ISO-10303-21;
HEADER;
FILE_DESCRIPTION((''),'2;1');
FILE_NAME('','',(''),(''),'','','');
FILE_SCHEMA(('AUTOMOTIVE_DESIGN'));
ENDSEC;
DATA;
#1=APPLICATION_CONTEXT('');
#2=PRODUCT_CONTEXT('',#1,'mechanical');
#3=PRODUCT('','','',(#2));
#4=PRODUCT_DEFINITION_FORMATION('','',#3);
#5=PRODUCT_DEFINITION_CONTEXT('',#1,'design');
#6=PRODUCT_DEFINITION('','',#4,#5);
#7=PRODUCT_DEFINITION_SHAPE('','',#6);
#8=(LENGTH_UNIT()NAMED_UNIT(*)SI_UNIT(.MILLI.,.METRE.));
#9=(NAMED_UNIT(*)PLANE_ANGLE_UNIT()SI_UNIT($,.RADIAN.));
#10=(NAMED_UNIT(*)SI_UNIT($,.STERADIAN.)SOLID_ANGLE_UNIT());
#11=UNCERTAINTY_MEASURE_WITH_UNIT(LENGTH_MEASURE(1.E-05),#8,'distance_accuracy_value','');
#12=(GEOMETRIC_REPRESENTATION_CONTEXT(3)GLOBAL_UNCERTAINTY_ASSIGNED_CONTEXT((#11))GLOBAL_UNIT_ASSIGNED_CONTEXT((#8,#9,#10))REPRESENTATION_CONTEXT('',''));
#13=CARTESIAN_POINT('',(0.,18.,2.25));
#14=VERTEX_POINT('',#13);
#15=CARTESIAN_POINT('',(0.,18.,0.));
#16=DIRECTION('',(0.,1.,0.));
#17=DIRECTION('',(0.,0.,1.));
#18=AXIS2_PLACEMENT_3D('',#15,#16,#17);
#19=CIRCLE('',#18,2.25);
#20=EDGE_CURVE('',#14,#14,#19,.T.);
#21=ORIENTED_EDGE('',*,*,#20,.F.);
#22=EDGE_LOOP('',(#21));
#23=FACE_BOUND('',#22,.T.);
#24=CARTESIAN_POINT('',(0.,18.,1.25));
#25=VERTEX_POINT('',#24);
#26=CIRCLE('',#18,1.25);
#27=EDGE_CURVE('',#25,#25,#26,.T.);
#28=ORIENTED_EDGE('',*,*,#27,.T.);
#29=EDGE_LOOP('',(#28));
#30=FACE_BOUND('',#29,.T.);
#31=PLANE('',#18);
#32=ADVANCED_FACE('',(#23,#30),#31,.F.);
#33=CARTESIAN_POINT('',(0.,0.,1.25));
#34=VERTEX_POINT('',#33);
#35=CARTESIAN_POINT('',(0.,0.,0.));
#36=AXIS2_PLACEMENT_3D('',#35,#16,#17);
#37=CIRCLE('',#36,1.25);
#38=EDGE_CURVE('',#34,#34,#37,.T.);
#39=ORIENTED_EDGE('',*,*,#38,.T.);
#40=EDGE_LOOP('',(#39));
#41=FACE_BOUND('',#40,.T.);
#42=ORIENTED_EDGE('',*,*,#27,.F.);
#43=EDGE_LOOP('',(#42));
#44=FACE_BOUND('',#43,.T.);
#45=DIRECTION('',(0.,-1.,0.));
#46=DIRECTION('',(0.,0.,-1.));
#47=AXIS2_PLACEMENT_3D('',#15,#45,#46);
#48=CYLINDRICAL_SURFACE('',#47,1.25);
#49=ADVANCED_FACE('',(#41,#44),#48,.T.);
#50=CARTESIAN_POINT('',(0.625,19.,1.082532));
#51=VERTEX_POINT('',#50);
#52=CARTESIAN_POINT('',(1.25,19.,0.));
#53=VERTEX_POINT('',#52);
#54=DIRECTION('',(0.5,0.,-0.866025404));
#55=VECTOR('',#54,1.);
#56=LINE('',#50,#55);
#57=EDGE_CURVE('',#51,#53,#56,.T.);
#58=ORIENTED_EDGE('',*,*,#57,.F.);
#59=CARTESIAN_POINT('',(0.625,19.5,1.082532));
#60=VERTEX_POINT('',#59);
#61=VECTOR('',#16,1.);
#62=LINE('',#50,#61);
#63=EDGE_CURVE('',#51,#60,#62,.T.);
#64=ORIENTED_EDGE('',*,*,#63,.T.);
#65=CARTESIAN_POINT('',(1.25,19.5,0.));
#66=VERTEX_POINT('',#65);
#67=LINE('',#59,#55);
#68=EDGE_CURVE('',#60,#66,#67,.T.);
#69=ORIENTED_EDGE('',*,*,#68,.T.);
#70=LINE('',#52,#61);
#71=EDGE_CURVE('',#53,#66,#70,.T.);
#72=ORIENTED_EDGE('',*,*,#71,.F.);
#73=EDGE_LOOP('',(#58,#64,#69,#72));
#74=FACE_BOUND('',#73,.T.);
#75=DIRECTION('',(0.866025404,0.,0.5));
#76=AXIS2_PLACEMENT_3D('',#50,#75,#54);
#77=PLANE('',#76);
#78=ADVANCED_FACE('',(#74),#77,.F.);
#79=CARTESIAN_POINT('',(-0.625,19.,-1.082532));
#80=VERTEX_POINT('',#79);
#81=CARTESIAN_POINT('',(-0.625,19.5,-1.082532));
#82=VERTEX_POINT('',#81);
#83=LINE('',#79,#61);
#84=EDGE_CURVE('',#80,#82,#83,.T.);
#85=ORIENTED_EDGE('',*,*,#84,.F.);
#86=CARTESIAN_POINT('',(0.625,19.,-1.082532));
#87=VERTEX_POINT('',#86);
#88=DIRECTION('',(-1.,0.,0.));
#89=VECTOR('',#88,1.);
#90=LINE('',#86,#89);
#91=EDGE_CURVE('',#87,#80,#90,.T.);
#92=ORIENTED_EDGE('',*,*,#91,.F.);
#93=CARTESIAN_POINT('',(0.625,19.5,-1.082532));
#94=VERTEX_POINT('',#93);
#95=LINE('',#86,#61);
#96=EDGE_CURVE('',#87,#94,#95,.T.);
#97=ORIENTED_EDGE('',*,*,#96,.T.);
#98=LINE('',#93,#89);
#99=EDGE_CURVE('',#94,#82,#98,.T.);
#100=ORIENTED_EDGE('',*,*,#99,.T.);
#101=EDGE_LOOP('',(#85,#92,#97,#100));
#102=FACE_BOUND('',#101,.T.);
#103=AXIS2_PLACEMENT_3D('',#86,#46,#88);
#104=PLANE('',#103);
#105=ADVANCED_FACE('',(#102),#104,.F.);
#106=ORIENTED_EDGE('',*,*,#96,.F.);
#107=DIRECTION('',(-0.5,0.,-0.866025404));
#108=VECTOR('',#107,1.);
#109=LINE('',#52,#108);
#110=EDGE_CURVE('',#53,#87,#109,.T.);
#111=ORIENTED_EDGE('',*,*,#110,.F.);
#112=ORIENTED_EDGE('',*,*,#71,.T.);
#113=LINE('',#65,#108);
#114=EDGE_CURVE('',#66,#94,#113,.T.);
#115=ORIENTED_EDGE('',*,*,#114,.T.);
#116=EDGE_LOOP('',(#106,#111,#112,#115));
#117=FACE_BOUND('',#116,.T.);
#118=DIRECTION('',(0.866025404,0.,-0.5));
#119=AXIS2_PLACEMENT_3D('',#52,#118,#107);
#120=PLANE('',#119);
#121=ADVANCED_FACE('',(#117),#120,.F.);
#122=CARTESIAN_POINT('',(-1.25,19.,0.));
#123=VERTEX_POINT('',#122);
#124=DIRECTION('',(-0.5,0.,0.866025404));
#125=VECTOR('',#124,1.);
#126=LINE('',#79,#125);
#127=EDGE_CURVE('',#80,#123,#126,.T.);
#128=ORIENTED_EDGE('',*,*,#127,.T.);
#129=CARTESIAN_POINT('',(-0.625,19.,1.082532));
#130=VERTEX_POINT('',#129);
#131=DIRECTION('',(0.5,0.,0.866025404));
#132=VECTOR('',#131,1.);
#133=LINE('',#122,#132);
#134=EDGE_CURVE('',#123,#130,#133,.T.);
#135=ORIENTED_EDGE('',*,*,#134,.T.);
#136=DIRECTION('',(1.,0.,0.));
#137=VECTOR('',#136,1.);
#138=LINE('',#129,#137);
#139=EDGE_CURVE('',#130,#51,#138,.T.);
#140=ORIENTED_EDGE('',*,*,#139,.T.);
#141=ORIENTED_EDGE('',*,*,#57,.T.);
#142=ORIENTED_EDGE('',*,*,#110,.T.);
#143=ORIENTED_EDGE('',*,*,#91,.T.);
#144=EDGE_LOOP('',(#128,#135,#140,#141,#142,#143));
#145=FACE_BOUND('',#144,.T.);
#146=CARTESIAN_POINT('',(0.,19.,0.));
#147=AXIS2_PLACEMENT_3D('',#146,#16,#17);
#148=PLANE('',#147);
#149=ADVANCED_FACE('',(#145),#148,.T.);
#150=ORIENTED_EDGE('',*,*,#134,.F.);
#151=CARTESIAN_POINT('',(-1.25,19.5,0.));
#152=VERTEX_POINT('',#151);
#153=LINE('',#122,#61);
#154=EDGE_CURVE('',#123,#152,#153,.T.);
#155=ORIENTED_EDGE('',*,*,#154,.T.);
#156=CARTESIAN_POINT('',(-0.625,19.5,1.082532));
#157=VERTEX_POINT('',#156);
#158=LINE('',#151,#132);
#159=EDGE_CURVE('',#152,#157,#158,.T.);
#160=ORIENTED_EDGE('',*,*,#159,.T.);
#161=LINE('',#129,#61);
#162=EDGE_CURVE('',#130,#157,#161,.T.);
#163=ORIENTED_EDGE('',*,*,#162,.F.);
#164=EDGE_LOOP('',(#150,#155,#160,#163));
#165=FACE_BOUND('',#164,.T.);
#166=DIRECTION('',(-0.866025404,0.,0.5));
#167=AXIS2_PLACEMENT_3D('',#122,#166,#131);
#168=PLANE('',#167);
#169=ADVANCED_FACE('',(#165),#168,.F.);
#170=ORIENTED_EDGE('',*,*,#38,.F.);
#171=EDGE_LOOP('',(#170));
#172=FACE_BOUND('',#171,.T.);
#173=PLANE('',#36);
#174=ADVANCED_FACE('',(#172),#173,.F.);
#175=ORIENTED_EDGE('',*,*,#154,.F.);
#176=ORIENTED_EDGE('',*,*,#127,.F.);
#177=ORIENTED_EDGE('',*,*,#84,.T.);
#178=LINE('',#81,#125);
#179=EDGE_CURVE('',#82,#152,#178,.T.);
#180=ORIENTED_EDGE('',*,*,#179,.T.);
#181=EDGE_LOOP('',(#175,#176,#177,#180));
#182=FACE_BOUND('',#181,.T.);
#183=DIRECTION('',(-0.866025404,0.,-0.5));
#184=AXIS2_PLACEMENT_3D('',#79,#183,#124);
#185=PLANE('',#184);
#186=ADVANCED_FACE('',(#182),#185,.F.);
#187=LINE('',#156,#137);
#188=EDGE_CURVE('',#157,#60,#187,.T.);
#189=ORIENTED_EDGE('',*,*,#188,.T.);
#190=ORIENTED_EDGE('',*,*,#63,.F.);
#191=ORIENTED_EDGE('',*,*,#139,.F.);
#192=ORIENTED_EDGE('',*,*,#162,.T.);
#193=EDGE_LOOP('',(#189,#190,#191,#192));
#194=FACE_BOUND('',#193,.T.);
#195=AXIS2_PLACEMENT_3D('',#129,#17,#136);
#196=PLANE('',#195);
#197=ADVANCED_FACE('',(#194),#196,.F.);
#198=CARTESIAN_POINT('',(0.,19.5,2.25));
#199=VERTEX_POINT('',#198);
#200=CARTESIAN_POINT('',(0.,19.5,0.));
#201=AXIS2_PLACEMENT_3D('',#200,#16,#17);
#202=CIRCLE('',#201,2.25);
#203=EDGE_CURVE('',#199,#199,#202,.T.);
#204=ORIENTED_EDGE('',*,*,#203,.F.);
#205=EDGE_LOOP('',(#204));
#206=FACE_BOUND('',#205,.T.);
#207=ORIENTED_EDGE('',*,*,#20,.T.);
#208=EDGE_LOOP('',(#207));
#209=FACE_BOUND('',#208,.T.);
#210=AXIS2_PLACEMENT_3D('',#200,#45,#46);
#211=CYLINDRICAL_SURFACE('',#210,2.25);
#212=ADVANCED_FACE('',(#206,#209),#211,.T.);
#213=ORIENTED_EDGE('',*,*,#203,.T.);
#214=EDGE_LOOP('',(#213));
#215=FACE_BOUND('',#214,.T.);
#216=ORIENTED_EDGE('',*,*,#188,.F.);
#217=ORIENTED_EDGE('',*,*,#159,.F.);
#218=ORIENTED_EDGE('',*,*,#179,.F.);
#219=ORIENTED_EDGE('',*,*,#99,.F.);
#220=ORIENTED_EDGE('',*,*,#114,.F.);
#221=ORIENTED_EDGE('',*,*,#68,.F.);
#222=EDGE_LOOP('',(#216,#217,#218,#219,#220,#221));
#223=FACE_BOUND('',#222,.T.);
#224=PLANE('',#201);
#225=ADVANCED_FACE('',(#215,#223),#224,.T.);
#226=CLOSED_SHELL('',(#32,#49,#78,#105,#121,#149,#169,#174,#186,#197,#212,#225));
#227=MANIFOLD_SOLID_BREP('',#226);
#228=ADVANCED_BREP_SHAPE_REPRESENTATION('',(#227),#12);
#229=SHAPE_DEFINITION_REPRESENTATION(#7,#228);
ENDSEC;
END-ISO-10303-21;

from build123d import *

# Parameters (mm, degrees)
SKETCH1_R           = 1.25
BOSS_EXTRUDE1_DEPTH = 18
SKETCH4_R           = 2.25
BOSS_EXTRUDE2_DEPTH = 1.5
CUT_EXTRUDE1_DEPTH  = 0.5


with BuildPart() as part:
    # Sketch1 → Boss-Extrude1 (new body)
    with BuildSketch(Plane(origin=(0, 0, 0), x_dir=(1, 0, 0), z_dir=(0, 1, 0))):
        Circle(SKETCH1_R)
    extrude(amount=BOSS_EXTRUDE1_DEPTH)

    # Sketch4 → Boss-Extrude2 (add)
    with BuildSketch(Plane(origin=(0, 18, 0), x_dir=(1, 0, 0), z_dir=(0, 1, 0))):
        Circle(SKETCH4_R)
    extrude(amount=BOSS_EXTRUDE2_DEPTH)

    # Sketch5 → Cut-Extrude1 (cut)
    with BuildSketch(Plane(origin=(0, 19.5, 0), x_dir=(1, 0, 0), z_dir=(0, 1, 0))):
        Polygon((1.25, 0), (0.625, 1.082531755), (-0.625, 1.082531755), (-1.25, 0), (-0.625, -1.082531755), (0.625, -1.082531755), align=None)
    extrude(amount=-CUT_EXTRUDE1_DEPTH, mode=Mode.SUBTRACT)


solid = part.part
